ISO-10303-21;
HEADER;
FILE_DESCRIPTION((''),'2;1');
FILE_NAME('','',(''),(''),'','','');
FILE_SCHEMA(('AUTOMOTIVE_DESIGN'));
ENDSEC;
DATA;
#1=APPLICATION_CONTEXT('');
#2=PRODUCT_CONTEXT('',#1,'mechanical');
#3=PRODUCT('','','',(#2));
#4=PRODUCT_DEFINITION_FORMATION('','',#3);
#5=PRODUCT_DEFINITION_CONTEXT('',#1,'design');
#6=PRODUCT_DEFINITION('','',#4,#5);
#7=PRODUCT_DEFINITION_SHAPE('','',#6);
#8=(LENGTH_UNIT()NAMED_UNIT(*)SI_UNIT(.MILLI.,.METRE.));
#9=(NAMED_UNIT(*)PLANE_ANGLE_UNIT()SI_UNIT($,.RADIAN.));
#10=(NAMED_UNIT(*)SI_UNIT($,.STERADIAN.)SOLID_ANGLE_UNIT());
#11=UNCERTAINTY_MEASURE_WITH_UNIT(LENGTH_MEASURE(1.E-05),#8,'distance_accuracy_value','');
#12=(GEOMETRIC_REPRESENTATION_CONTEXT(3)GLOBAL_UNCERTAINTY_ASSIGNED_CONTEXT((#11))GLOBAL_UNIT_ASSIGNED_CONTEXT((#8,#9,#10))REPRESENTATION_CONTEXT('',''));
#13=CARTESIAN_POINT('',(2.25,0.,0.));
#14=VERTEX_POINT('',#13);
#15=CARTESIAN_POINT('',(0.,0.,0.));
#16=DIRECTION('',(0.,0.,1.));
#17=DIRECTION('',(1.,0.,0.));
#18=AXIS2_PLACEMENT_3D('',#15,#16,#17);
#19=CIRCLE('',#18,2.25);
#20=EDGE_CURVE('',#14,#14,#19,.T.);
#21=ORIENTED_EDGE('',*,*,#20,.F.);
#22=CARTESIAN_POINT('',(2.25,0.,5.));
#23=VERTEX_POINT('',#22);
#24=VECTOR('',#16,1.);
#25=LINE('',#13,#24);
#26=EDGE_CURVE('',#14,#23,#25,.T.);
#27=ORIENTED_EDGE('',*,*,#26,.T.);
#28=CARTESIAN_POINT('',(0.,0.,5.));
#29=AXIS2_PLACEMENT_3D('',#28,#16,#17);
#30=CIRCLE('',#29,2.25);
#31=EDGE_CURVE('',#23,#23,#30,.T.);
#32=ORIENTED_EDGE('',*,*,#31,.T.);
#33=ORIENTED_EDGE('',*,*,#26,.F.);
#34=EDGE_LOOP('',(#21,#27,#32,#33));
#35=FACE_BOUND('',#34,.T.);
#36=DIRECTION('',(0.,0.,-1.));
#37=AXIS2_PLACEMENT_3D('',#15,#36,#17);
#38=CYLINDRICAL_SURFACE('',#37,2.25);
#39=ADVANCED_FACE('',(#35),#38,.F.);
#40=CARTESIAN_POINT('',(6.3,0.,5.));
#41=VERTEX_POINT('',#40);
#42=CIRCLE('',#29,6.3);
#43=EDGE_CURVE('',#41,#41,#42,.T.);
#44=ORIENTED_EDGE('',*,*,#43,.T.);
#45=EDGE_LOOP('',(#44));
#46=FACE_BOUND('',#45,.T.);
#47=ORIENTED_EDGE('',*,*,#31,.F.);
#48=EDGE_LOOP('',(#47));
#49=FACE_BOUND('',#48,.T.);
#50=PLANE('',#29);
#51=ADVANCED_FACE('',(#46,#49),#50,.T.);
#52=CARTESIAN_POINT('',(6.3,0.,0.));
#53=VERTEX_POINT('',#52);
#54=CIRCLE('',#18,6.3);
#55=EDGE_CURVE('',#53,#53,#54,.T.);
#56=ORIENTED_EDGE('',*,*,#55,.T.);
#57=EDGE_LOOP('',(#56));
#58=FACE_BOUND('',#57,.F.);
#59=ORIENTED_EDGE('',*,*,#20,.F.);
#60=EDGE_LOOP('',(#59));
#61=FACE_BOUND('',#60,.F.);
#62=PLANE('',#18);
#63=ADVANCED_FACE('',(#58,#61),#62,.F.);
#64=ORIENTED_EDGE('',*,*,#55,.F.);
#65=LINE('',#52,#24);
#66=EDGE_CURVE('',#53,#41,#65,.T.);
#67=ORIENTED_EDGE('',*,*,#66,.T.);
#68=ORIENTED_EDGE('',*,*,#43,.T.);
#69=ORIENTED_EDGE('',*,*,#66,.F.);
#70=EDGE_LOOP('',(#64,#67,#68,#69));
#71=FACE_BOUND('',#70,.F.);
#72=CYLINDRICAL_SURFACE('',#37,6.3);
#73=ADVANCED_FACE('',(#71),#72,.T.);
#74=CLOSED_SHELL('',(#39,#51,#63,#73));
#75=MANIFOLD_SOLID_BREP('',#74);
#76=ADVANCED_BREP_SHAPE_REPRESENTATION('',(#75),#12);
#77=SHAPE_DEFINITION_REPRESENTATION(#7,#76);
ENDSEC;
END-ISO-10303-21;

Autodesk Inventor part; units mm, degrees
ref_plane "YZ Plane" through (0, 0, 0) normal (1, 0, 0) x (0, 1, 0)
ref_plane "XZ Plane" through (0, 0, 0) normal (0, 1, 0) x (-1, 0, 0)
ref_plane "XY Plane" through (0, 0, 0) normal (0, 0, 1) x (1, 0, 0)
sketch "Sketch1" plane through (0, 0, 0) normal (0, 0, 1) x (1, 0, 0)
  circle A0 centre (0, 0) radius 6.3
  circle A1 centre (0, 0) radius 2.25
  dimension "d0" = 12.6
  dimension "d1" = 4.5
extrude "Extrusion1" add sketch "Sketch1" along normal blind 5
properties part number "bearing for tensioner head"
